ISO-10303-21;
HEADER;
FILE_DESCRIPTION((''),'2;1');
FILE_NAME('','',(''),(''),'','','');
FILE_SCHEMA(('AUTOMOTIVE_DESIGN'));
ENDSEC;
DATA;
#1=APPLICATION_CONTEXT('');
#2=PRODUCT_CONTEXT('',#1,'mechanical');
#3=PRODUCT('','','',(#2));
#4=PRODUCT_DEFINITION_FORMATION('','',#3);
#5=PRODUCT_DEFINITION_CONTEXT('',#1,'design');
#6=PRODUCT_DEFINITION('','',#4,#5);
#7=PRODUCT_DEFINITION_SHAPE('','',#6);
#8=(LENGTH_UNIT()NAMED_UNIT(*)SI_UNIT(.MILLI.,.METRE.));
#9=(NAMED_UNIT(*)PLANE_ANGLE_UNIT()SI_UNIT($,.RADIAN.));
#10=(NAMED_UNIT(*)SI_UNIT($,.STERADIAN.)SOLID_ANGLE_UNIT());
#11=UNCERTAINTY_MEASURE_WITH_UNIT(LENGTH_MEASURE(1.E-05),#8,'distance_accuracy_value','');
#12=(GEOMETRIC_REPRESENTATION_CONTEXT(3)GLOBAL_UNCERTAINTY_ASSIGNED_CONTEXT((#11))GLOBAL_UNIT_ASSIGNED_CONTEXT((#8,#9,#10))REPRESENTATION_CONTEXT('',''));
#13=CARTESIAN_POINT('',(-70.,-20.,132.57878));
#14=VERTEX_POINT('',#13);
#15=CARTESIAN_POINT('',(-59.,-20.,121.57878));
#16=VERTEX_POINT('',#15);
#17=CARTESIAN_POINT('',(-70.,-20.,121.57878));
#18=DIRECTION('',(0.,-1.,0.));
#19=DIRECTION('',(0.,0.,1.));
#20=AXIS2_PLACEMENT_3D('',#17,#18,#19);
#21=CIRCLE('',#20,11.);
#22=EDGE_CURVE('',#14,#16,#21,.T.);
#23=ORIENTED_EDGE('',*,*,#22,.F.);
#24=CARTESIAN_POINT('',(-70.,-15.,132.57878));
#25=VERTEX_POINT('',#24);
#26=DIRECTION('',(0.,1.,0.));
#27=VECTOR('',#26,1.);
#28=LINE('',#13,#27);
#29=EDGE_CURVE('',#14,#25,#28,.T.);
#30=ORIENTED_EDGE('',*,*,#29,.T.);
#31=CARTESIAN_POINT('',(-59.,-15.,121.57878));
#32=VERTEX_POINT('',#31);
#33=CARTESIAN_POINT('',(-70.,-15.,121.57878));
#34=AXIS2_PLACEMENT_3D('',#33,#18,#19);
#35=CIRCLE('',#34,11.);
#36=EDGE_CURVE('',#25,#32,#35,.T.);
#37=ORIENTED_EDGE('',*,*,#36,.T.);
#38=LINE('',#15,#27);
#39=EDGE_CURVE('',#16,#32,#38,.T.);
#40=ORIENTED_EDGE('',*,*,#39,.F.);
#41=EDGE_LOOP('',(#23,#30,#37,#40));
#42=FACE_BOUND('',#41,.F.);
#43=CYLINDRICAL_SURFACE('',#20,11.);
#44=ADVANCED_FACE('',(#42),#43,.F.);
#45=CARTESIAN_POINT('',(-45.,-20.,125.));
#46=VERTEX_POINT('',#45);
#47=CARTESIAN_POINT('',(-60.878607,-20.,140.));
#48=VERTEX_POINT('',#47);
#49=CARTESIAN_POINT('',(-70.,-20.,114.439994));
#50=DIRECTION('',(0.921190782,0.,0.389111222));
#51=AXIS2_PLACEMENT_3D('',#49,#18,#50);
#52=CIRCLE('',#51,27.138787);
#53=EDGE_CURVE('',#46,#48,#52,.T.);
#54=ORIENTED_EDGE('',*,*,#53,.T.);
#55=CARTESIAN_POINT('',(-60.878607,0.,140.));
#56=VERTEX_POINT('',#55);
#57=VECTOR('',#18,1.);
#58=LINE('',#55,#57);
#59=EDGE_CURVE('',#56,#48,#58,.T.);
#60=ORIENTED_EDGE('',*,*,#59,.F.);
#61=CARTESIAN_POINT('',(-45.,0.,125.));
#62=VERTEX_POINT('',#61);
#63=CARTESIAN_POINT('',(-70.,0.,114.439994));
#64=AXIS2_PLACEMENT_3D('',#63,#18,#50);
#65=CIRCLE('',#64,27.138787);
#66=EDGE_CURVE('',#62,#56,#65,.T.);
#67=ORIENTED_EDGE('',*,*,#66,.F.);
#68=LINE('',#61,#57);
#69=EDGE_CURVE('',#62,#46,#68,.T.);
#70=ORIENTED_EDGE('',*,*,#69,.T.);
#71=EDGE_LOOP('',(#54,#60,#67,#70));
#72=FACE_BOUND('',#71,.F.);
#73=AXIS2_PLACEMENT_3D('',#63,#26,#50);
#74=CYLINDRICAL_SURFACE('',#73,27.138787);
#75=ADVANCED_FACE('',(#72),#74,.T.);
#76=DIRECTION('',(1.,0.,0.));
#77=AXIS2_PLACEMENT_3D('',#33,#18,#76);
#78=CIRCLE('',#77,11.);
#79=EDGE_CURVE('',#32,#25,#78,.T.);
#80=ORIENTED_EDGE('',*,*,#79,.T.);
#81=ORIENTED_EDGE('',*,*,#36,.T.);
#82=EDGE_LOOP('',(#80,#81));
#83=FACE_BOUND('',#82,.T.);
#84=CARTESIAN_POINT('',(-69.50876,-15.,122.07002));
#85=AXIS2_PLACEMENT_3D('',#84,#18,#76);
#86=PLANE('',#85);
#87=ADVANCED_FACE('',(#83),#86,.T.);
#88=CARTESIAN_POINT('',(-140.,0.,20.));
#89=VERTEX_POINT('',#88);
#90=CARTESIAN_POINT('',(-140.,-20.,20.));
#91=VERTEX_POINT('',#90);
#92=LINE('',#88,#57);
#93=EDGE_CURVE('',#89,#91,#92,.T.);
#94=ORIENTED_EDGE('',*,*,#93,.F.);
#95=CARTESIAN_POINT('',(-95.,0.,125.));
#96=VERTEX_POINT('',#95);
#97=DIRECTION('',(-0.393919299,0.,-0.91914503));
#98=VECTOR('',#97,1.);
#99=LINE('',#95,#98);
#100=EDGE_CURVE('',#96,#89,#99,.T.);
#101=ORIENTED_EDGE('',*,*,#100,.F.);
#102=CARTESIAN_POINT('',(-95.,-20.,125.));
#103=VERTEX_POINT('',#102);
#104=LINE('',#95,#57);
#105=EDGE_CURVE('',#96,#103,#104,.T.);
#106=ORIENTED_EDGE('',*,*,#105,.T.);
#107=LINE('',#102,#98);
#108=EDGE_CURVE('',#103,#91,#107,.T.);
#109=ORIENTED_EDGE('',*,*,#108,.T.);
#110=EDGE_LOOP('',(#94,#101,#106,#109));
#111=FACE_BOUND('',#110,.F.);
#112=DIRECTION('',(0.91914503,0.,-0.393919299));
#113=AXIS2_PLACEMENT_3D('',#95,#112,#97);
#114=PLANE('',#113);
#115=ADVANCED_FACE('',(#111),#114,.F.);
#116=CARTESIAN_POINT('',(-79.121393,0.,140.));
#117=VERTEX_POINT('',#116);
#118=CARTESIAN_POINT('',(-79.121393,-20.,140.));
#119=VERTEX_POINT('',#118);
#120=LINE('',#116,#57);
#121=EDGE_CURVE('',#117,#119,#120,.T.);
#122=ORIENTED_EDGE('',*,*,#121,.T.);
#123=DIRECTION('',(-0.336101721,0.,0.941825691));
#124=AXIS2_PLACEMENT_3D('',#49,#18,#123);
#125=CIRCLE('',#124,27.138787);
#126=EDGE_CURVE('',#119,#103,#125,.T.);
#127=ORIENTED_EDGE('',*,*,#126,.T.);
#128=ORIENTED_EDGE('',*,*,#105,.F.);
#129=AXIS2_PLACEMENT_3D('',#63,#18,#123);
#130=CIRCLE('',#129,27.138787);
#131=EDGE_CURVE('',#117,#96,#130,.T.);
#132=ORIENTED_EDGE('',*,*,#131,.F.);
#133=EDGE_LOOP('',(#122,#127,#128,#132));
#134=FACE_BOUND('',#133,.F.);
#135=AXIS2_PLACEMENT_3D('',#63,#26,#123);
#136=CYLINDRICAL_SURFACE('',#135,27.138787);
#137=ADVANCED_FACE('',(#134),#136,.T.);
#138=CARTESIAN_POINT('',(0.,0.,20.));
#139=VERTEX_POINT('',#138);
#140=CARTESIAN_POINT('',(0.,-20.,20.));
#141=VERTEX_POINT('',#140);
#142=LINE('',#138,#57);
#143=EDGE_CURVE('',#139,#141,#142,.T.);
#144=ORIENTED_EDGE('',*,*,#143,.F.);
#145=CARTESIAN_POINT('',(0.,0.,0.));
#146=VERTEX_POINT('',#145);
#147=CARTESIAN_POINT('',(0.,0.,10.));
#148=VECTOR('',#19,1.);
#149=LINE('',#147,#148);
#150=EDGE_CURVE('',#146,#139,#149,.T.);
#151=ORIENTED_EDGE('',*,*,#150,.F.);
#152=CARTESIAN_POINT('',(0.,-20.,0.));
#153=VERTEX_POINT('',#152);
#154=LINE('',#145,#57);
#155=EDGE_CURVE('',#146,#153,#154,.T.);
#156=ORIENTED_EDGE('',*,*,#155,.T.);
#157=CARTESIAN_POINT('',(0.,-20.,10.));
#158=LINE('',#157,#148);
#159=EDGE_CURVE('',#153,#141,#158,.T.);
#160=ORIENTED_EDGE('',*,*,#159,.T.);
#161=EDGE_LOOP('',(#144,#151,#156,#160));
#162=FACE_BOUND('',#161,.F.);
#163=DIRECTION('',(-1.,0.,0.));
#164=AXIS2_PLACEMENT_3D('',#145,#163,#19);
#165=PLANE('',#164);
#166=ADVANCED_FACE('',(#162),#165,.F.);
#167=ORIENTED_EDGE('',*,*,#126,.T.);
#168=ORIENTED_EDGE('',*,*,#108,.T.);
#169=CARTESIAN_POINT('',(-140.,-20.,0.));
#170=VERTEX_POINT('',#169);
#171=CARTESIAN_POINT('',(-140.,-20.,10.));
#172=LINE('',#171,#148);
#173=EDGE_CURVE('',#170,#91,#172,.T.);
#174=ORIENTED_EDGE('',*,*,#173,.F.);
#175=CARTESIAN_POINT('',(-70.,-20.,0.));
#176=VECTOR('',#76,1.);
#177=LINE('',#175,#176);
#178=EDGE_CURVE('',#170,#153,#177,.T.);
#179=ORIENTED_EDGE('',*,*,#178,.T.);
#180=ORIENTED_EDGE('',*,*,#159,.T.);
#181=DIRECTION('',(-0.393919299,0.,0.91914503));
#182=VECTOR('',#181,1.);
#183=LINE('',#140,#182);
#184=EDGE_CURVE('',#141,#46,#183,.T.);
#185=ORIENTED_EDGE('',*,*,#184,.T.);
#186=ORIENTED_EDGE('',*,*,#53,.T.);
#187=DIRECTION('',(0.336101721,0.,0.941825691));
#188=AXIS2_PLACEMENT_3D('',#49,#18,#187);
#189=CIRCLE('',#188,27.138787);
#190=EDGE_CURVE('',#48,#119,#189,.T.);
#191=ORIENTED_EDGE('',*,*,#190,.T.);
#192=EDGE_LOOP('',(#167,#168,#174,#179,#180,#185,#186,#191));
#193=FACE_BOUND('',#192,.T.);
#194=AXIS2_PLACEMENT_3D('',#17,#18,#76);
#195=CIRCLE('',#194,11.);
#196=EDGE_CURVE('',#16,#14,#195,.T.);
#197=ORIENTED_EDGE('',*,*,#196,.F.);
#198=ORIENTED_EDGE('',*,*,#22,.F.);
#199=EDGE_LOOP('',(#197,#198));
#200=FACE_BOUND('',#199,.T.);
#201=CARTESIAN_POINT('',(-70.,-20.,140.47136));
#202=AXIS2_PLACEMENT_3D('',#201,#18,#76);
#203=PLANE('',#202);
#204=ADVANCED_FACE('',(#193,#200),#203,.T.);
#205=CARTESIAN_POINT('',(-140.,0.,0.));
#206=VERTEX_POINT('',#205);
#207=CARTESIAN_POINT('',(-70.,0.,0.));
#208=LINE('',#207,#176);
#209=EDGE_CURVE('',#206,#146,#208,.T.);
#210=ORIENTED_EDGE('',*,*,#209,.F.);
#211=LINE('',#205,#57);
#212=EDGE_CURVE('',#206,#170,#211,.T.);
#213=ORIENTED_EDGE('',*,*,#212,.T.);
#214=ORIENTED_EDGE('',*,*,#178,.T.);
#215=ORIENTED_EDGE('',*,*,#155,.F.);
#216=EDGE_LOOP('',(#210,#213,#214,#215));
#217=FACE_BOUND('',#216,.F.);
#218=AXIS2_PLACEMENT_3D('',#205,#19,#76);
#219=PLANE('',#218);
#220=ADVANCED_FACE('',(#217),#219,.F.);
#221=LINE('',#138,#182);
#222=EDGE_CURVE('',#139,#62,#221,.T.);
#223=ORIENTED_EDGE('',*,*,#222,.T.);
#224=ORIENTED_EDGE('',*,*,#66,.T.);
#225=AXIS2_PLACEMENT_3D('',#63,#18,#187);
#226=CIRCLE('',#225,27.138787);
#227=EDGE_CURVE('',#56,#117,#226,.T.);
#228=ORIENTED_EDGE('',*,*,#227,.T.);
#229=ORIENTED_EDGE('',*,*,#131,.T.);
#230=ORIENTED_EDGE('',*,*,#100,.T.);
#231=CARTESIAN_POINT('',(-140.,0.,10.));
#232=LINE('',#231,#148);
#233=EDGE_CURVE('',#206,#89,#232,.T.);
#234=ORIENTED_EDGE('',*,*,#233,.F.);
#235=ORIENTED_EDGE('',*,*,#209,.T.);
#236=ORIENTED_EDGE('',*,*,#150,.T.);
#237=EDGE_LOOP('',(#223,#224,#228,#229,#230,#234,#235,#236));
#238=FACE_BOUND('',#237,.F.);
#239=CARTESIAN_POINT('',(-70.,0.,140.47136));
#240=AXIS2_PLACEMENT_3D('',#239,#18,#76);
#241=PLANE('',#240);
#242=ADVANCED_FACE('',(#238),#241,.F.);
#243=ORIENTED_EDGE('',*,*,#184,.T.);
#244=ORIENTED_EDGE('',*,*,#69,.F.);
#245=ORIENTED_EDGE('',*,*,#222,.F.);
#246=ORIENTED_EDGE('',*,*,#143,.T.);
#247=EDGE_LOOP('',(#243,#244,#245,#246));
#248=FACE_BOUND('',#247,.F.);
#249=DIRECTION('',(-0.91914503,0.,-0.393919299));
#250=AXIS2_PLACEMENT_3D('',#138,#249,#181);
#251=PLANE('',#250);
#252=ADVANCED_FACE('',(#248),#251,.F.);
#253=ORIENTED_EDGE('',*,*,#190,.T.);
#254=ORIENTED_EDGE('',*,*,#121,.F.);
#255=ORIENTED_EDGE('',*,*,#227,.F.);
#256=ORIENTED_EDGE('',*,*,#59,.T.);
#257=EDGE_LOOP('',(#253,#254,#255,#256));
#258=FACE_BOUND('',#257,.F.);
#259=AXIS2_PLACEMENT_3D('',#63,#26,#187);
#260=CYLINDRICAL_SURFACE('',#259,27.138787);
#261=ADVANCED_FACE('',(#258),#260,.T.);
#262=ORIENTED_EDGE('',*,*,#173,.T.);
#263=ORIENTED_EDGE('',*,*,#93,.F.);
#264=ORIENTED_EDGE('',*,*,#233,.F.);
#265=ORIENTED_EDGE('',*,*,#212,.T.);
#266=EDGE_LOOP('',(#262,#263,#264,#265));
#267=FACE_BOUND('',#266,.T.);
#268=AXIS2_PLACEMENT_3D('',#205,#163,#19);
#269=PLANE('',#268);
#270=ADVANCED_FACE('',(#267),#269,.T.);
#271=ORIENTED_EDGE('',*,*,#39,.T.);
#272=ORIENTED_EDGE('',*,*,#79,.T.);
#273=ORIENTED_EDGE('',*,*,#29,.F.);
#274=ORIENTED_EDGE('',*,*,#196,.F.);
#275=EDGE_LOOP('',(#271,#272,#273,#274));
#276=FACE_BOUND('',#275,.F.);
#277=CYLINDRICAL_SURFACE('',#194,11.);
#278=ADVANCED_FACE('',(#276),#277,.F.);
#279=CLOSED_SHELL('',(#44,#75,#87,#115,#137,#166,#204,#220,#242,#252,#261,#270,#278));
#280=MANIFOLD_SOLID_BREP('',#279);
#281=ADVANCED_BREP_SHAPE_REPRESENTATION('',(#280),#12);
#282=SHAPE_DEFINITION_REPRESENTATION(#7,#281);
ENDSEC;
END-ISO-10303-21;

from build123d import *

# Parameters (mm, degrees)
F0_W     = 140
F0_H     = 20
F1_DEPTH = 20
F3_DEPTH = 5


with BuildPart() as f1:
    # F0 (on Front) → F1 (new body)
    with BuildSketch(Plane.XZ):
        with BuildLine():
            ThreePointArc((-60.8786071337, 140), (-70, 141.578780142), (-79.1213928663, 140))
            Line((-79.1213928663, 140), (-60.8786071337, 140))
        make_face()
        with Locations((-70, 10)):
            Rectangle(F0_W, F0_H)
        with BuildLine():
            Line((-60.8786071337, 140), (-79.1213928663, 140))
            ThreePointArc((-79.1213928663, 140), (-88.6364525268, 134.16805413), (-95, 125))
            ThreePointArc((-95, 125), (-75.3872103911, 87.8412774691), (-42.8612134521, 114.439993594))
            ThreePointArc((-42.8612134521, 114.439993594), (-43.401283875, 119.8272039851), (-45, 125))
            ThreePointArc((-45, 125), (-51.3635474732, 134.16805413), (-60.8786071337, 140))
        make_face()
        with BuildLine():
            Line((-95, 125), (-140, 20))
            Line((-140, 20), (0, 20))
            Line((0, 20), (-45, 125))
            ThreePointArc((-45, 125), (-43.401283875, 119.8272039851), (-42.8612134521, 114.439993594))
            ThreePointArc((-42.8612134521, 114.439993594), (-75.3872103911, 87.8412774691), (-95, 125))
        make_face()
    extrude(amount=F1_DEPTH)

    # F2 (on face) → F3 (cut)
    with BuildSketch(Plane.XZ.offset(20)):
        with BuildLine():
            ThreePointArc((-70, 132.578780142), (-77.7781745931, 113.8006055489), (-59, 121.578780142))
            ThreePointArc((-59, 121.578780142), (-62.2218254069, 129.356954735), (-70, 132.578780142))
        make_face()
    extrude(amount=-F3_DEPTH, mode=Mode.SUBTRACT)


solid = f1.part
